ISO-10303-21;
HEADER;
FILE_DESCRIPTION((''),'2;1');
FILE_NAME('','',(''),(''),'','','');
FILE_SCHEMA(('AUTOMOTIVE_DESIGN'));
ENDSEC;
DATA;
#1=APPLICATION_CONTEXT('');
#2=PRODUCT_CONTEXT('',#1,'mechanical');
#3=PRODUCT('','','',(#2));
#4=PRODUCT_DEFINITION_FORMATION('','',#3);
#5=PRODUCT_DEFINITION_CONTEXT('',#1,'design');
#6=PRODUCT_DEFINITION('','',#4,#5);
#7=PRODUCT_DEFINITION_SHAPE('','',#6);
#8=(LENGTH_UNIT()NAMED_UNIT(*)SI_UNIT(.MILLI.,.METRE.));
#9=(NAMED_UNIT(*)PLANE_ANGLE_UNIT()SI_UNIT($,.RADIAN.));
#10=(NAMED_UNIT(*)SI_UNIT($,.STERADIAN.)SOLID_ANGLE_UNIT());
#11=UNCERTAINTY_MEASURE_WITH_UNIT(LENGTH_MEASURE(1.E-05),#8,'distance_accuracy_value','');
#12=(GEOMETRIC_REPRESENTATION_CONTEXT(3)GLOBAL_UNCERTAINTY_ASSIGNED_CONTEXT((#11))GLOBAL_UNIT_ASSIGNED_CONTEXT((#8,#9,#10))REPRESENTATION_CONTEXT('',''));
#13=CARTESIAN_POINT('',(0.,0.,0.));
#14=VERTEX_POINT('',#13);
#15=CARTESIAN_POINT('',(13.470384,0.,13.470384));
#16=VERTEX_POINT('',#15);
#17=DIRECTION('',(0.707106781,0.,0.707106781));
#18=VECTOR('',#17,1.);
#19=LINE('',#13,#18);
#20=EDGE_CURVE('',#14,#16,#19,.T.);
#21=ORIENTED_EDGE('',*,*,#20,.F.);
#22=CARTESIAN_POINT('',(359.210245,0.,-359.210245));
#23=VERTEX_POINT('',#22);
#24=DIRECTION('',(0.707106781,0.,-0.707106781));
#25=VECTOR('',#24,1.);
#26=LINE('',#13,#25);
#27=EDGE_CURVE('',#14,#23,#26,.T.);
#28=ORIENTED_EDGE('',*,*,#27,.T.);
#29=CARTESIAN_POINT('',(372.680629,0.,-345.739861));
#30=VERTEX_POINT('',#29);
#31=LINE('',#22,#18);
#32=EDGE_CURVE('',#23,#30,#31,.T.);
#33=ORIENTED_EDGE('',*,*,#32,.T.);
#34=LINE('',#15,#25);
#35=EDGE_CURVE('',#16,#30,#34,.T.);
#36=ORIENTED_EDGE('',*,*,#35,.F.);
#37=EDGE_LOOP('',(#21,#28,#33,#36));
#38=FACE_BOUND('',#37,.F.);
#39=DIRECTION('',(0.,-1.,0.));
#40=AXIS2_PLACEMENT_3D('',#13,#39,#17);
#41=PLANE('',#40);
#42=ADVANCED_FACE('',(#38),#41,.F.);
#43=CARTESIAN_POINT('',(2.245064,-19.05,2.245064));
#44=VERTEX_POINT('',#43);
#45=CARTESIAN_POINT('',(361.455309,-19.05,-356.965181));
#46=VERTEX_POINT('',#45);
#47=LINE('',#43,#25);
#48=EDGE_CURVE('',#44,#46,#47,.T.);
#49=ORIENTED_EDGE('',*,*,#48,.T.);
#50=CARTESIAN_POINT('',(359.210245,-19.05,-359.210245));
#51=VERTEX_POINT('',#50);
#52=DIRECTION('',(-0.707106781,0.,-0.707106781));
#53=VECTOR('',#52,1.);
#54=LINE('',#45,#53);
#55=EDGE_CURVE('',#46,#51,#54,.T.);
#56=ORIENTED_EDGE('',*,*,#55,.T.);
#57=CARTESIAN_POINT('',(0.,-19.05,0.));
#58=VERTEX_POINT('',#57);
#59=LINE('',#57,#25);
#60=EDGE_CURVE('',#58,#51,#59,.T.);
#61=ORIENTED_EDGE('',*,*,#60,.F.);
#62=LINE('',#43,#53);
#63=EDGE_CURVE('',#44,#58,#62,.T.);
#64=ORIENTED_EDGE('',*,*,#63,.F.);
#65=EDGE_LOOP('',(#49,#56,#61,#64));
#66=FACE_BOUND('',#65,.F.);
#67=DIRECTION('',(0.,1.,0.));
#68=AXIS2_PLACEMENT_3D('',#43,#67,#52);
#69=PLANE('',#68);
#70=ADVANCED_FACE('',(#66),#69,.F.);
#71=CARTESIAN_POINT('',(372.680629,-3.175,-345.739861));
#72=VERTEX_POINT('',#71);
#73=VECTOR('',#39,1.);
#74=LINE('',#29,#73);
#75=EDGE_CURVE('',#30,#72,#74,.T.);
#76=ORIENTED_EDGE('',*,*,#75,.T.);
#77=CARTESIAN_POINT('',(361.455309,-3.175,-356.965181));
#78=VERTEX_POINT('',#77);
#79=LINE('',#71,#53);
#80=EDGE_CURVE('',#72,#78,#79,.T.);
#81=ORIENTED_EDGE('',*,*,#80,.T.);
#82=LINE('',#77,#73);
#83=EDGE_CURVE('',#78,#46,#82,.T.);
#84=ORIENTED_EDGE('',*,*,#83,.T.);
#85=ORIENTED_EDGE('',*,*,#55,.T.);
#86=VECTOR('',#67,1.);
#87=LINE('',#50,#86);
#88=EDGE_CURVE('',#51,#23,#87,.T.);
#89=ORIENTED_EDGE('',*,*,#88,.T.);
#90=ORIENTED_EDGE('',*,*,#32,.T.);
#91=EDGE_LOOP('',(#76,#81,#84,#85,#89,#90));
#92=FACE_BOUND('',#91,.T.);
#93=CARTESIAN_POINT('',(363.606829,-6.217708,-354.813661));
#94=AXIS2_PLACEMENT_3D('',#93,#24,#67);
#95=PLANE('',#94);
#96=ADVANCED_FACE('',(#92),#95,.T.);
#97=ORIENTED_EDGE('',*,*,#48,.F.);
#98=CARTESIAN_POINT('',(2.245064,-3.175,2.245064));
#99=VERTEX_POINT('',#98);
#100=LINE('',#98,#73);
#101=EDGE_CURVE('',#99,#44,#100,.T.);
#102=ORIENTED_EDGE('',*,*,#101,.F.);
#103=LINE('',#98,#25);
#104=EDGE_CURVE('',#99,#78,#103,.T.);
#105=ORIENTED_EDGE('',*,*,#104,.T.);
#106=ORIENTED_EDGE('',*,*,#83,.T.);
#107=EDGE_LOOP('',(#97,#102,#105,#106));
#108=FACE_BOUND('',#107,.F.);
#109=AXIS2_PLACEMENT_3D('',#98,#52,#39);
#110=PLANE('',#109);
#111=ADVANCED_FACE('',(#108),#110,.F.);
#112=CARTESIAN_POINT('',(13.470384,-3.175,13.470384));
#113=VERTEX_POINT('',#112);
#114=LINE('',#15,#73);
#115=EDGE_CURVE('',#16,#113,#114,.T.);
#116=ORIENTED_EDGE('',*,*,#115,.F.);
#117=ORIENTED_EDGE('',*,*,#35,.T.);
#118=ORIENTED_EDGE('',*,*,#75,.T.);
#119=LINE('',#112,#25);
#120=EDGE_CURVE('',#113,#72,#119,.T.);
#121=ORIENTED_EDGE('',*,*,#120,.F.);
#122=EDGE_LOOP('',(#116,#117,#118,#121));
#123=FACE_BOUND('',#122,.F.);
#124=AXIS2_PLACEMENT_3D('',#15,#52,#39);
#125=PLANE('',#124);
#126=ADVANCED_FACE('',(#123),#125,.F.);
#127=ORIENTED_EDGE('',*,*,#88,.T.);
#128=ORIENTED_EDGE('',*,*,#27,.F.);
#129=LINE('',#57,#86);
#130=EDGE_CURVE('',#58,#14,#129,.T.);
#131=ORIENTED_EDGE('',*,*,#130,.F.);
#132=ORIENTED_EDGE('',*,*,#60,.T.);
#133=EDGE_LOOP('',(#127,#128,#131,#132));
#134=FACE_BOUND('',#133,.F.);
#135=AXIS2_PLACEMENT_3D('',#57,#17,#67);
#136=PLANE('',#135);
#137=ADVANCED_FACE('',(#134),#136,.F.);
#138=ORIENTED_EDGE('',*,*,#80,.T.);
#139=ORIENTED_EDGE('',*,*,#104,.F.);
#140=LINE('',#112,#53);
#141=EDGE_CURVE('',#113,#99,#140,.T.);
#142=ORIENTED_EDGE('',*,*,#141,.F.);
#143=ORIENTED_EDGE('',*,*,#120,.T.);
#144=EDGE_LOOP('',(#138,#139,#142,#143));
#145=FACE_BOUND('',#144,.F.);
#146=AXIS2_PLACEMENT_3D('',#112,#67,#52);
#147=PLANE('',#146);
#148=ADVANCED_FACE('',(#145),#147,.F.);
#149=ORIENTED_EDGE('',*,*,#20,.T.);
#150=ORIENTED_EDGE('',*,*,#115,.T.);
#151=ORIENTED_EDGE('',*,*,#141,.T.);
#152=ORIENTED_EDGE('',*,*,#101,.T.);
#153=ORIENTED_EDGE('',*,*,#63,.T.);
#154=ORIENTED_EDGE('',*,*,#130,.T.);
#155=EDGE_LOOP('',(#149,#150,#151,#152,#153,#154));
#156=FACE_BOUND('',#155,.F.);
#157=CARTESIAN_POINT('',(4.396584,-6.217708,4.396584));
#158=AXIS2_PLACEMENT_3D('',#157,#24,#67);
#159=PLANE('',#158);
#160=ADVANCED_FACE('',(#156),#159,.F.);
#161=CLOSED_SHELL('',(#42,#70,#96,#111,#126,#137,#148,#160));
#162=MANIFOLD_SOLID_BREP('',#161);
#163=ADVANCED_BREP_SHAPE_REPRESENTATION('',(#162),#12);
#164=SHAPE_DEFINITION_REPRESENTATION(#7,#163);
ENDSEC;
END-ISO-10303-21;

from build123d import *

# Parameters (mm, degrees)
F3_DEPTH = 508


with BuildPart() as f3:
    # F2 (on face) → F3 (new body)
    with BuildSketch(Plane(origin=(0, 0, 0), x_dir=(0, 1, 0), z_dir=(0.707107, 0, -0.707107))):
        Polygon((-19.05, 0), (0, 0), (0, 19.05), (-3.175, 19.05), (-3.175, 3.175), (-19.05, 3.175), align=None)
    extrude(amount=F3_DEPTH)


solid = f3.part
